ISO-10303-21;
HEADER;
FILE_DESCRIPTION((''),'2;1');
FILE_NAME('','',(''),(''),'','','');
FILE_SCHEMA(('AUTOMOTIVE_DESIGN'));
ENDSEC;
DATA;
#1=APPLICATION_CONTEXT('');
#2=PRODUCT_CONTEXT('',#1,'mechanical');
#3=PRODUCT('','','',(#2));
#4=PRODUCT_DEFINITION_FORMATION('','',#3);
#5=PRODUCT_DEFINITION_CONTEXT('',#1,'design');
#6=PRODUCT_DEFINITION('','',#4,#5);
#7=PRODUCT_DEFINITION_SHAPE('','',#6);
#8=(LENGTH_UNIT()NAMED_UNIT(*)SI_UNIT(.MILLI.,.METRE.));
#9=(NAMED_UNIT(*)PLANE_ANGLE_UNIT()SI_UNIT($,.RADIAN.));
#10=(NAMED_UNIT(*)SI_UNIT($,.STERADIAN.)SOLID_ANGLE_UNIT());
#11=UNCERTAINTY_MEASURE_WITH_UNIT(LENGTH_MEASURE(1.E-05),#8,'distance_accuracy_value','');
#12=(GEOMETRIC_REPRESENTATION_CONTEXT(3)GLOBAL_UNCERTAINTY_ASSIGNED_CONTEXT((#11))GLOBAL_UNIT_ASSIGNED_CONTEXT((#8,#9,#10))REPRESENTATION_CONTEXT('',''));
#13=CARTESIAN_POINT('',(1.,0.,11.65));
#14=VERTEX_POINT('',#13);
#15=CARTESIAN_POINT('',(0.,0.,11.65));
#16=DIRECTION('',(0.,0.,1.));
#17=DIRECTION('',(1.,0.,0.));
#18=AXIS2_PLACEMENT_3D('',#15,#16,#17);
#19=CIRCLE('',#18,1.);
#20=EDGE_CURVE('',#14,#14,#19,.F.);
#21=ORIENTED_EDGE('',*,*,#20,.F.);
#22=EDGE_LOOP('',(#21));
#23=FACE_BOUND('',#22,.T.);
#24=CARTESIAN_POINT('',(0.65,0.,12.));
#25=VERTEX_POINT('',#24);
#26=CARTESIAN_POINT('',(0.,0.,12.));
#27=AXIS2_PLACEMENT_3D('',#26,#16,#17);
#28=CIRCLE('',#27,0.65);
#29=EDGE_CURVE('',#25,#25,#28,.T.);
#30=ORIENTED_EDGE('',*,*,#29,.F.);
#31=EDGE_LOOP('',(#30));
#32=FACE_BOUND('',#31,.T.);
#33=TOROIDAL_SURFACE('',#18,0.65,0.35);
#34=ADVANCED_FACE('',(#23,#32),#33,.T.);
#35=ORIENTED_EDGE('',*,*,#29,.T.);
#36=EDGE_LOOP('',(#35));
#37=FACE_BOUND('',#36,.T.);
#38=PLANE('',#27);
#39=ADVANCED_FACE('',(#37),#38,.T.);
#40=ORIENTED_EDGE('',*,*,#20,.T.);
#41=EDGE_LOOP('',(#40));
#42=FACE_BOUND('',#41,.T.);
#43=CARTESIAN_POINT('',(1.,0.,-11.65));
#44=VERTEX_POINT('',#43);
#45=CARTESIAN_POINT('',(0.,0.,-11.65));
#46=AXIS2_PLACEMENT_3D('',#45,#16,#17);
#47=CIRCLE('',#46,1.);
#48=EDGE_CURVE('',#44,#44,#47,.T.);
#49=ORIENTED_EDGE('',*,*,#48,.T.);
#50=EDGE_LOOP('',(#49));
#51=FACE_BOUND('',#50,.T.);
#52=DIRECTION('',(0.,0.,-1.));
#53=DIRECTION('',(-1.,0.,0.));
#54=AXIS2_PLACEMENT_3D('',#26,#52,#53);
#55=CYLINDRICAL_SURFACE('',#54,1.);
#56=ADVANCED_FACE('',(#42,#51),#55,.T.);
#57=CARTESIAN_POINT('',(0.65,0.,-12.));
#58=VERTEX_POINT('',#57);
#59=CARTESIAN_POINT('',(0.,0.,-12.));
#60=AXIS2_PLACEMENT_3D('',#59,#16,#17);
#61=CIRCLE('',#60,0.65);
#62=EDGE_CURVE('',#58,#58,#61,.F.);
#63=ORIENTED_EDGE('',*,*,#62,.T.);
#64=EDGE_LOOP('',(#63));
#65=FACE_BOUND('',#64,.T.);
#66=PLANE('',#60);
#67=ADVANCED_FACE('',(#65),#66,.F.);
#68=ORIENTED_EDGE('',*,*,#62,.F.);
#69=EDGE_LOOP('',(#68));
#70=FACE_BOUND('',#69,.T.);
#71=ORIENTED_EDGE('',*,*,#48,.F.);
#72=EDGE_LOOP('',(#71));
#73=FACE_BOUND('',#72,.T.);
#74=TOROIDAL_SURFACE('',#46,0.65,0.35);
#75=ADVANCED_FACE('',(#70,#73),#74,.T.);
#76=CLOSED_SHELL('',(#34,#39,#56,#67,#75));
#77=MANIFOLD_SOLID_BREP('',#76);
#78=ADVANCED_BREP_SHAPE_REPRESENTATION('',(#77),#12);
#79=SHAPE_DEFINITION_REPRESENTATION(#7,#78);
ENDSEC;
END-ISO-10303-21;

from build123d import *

# Parameters (mm, degrees)
SKETCH1_R           = 1
BOSS_EXTRUDE1_DEPTH = 12
FILLET1_R           = 0.35


with BuildPart() as part:
    # Sketch1 → Boss-Extrude1 (new body, symmetric)
    with BuildSketch(Plane.XY):
        Circle(SKETCH1_R)
    extrude(amount=BOSS_EXTRUDE1_DEPTH, both=True)

    # Fillet1
    fillet1_edges = [part.edges().sort_by_distance(p)[0] for p in [
        (-1, 0, -12),
        (-1, 0, 12),
    ]]
    fillet(fillet1_edges, radius=FILLET1_R)


solid = part.part
